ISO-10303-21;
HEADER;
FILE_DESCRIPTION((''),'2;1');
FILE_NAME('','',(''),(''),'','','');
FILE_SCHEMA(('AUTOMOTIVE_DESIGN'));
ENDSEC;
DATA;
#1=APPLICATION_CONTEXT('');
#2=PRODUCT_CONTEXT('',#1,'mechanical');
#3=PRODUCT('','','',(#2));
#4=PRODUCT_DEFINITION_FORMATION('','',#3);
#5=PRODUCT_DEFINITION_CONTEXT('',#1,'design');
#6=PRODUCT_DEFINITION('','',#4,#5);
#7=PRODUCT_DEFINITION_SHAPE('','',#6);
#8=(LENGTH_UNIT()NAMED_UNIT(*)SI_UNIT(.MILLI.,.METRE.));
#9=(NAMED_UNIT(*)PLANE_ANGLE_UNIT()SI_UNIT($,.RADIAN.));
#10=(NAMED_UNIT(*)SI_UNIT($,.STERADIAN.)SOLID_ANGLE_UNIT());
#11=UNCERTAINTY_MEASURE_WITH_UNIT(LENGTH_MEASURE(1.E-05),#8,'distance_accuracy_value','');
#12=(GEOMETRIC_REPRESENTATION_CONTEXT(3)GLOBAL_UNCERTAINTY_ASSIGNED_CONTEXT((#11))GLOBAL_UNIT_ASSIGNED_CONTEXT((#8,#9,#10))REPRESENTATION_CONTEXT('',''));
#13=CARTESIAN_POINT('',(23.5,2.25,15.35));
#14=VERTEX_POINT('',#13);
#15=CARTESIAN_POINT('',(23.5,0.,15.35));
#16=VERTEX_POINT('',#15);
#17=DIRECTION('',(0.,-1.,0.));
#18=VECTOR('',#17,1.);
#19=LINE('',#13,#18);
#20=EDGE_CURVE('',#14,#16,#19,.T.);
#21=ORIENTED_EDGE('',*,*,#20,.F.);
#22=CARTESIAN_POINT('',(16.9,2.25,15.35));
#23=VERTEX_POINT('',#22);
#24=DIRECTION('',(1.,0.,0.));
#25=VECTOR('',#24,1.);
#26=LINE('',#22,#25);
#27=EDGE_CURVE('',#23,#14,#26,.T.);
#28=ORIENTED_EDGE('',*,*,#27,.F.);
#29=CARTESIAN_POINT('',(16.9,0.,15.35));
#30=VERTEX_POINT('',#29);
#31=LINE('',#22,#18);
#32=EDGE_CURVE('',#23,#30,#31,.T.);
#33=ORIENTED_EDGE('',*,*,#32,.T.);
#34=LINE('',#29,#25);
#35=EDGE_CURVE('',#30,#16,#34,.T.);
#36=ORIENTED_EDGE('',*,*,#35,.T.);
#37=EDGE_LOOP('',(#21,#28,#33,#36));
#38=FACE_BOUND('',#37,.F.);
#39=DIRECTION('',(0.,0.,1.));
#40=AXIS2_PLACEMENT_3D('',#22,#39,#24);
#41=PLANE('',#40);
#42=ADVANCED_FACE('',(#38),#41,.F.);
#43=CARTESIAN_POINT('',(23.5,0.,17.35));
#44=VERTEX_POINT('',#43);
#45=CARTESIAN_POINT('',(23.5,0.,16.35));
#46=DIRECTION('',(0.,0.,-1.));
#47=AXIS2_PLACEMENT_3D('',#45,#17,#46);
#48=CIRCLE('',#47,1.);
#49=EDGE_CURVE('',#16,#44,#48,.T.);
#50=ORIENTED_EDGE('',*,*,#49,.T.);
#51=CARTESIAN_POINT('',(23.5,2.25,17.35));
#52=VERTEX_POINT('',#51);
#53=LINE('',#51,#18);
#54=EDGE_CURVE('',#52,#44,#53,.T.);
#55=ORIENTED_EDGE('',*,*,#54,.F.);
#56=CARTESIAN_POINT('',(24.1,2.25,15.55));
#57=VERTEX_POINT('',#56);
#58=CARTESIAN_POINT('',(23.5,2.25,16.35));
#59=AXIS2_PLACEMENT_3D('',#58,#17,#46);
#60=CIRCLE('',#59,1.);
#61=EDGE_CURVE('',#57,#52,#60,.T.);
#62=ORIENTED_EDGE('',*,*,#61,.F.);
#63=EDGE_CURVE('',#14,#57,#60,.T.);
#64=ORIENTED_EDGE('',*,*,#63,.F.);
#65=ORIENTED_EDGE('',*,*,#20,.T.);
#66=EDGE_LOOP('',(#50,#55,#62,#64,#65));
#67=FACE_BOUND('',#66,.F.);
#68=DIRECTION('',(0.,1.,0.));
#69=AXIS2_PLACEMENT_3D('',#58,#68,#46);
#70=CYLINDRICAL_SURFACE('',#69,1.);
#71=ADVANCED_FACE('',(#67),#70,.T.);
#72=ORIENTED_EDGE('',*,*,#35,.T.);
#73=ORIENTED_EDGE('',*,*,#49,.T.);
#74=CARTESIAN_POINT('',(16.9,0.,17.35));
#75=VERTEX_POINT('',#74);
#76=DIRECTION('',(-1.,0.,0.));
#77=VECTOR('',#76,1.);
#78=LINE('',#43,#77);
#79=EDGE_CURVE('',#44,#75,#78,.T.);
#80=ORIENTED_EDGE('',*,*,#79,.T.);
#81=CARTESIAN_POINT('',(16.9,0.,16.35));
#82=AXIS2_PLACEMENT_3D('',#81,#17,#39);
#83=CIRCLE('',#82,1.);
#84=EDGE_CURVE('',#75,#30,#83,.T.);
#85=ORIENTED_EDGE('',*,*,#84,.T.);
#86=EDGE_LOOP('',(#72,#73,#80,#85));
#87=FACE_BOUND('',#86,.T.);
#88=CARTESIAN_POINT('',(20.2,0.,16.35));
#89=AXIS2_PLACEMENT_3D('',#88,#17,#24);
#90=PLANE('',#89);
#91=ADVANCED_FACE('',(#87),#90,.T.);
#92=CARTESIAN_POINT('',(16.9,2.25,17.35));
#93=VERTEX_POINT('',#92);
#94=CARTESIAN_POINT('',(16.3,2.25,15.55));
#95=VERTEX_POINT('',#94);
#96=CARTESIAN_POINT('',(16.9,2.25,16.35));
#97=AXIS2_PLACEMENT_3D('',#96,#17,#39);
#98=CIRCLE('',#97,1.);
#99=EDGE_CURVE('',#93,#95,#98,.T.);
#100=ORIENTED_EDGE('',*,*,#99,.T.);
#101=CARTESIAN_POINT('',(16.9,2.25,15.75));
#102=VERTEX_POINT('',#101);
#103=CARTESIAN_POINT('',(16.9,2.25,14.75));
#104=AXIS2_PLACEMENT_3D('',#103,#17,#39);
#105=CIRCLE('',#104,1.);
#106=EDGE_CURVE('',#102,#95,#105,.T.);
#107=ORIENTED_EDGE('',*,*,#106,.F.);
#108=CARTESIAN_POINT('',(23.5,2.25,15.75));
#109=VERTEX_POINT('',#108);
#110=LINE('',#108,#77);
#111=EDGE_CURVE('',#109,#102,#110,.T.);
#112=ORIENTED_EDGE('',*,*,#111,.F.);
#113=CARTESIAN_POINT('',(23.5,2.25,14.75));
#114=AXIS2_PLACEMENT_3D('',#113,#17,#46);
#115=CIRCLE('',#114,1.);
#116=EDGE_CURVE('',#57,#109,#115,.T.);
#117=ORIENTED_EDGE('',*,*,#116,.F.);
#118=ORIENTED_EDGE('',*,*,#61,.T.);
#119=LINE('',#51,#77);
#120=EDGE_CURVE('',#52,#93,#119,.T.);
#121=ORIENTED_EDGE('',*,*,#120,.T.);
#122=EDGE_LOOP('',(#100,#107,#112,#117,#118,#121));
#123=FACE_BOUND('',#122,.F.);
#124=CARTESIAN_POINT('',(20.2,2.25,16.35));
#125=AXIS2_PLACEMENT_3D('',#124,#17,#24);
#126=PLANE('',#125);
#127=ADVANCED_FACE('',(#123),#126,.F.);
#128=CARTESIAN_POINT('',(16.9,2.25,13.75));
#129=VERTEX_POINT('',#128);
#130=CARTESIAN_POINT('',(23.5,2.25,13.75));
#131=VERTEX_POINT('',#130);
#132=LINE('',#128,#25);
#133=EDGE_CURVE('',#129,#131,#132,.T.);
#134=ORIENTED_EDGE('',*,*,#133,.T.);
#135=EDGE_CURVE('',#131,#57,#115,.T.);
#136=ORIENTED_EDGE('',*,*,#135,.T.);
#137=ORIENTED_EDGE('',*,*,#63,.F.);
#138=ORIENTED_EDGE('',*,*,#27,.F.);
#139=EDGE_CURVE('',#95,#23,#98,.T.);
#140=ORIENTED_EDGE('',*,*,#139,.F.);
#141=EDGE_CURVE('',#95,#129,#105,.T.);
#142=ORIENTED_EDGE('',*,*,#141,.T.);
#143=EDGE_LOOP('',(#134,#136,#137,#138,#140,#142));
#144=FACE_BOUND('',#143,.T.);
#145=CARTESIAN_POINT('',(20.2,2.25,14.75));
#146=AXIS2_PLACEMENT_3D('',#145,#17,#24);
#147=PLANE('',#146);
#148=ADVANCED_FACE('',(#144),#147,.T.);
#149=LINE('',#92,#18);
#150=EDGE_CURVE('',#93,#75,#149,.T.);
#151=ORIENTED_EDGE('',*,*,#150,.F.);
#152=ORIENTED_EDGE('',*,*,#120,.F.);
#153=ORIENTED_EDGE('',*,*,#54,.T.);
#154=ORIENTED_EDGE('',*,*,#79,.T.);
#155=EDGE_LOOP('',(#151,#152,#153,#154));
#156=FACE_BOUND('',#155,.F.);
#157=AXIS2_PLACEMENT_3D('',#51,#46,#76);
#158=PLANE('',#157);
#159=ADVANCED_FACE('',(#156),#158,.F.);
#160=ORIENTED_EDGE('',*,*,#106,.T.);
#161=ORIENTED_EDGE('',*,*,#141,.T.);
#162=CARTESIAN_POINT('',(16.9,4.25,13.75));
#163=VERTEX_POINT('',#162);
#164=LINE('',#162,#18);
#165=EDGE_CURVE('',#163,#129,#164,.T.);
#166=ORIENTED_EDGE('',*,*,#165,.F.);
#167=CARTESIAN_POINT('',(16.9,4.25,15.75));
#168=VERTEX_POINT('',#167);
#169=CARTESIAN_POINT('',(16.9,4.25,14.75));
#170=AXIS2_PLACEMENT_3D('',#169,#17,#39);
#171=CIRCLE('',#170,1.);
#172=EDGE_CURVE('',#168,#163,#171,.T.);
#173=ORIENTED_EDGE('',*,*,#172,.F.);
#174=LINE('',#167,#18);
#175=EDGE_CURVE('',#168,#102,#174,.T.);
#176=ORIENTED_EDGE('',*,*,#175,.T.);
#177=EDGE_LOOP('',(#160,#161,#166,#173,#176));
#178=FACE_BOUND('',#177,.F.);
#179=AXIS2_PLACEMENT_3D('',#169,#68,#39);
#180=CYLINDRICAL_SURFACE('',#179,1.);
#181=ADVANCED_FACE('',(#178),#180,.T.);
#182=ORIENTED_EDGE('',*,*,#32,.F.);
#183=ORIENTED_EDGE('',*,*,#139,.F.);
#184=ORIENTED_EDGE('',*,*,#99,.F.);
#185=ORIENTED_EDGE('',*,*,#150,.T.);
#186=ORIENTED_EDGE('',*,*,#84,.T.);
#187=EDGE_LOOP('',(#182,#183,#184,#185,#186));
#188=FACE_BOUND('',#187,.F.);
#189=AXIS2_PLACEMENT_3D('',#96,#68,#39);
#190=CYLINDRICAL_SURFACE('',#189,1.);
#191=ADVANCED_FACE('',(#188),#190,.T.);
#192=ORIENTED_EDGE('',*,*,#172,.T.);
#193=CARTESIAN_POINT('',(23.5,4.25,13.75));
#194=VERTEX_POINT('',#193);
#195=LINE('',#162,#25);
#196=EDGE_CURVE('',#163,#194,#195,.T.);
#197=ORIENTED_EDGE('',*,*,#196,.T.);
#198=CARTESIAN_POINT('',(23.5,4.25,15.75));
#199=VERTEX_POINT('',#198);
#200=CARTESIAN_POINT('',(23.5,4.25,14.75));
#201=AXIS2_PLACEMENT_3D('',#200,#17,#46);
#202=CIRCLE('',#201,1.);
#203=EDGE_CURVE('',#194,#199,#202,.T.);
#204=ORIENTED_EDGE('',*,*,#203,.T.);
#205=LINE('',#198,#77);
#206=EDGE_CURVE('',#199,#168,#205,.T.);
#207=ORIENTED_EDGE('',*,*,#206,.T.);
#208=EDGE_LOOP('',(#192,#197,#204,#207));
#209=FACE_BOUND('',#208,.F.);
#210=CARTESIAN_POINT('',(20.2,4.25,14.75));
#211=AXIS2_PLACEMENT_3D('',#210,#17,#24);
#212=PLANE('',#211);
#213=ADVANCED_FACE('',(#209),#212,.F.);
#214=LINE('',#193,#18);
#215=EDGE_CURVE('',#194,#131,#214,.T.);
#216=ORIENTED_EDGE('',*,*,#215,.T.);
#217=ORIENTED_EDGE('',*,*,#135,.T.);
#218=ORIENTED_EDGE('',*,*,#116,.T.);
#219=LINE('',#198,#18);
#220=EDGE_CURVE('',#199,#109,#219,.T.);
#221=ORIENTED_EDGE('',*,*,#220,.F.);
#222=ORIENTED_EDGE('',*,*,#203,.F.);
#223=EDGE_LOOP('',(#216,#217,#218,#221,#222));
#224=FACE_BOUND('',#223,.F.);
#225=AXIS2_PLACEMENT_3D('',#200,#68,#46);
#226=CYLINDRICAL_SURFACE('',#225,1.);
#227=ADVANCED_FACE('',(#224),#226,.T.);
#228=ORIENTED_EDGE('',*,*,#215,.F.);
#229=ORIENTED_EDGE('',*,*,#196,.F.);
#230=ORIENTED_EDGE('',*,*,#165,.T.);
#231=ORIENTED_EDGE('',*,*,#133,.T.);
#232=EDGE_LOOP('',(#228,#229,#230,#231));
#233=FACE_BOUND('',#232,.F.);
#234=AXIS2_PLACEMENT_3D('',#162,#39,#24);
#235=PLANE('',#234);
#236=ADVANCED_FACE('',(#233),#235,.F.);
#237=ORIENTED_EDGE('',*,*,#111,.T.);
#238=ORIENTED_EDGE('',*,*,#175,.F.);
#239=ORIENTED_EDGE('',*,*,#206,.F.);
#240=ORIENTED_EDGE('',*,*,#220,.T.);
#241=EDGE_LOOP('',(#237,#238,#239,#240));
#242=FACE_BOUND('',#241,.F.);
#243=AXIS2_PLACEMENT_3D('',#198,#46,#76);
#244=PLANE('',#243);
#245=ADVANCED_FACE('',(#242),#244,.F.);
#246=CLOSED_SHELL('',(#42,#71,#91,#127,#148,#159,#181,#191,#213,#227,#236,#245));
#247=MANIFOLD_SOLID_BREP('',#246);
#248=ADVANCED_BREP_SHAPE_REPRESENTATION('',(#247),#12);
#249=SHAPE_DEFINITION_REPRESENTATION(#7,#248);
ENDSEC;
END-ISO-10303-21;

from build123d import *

# Parameters (mm, degrees)
EXTRUDE006_DEPTH = 2
EXTRUDE005_DEPTH = 2.25


with BuildPart() as extrude006:
    # Sketch006 → Extrude006 (new body)
    with BuildSketch(Plane.XZ):
        with BuildLine():
            ThreePointArc((16.9, 15.75), (15.9, 14.75), (16.9, 13.75))
            Line((16.9, 13.75), (23.5, 13.75))
            ThreePointArc((23.5, 13.75), (24.5, 14.75), (23.5, 15.75))
            Line((23.5, 15.75), (16.9, 15.75))
        make_face()
    extrude(amount=EXTRUDE006_DEPTH)


with BuildPart() as extrude006_1:
    # Extrude006 placement: moved
    add(extrude006.part.moved(Location((0, 4, 0))))


with BuildPart() as lightinlet:
    # Sketch005 → Extrude005 (new body)
    with BuildSketch(Plane.XZ):
        with BuildLine():
            ThreePointArc((16.9, 17.35), (15.9, 16.35), (16.9, 15.35))
            Line((16.9, 15.35), (23.5, 15.35))
            ThreePointArc((23.5, 15.35), (24.5, 16.35), (23.5, 17.35))
            Line((23.5, 17.35), (16.9, 17.35))
        make_face()
    extrude(amount=EXTRUDE005_DEPTH)


with BuildPart() as lightinlet_1:
    # Extrude005 placement: moved
    add(lightinlet.part.moved(Location((0, 2, 0))))

    # Fusion008: union Extrude006
    add(extrude006_1.part)


with BuildPart() as lightinlet_2:
    # Fusion008 placement: moved
    add(lightinlet_1.part.moved(Location((0, 0.25, 0))))


solid = lightinlet_2.part
